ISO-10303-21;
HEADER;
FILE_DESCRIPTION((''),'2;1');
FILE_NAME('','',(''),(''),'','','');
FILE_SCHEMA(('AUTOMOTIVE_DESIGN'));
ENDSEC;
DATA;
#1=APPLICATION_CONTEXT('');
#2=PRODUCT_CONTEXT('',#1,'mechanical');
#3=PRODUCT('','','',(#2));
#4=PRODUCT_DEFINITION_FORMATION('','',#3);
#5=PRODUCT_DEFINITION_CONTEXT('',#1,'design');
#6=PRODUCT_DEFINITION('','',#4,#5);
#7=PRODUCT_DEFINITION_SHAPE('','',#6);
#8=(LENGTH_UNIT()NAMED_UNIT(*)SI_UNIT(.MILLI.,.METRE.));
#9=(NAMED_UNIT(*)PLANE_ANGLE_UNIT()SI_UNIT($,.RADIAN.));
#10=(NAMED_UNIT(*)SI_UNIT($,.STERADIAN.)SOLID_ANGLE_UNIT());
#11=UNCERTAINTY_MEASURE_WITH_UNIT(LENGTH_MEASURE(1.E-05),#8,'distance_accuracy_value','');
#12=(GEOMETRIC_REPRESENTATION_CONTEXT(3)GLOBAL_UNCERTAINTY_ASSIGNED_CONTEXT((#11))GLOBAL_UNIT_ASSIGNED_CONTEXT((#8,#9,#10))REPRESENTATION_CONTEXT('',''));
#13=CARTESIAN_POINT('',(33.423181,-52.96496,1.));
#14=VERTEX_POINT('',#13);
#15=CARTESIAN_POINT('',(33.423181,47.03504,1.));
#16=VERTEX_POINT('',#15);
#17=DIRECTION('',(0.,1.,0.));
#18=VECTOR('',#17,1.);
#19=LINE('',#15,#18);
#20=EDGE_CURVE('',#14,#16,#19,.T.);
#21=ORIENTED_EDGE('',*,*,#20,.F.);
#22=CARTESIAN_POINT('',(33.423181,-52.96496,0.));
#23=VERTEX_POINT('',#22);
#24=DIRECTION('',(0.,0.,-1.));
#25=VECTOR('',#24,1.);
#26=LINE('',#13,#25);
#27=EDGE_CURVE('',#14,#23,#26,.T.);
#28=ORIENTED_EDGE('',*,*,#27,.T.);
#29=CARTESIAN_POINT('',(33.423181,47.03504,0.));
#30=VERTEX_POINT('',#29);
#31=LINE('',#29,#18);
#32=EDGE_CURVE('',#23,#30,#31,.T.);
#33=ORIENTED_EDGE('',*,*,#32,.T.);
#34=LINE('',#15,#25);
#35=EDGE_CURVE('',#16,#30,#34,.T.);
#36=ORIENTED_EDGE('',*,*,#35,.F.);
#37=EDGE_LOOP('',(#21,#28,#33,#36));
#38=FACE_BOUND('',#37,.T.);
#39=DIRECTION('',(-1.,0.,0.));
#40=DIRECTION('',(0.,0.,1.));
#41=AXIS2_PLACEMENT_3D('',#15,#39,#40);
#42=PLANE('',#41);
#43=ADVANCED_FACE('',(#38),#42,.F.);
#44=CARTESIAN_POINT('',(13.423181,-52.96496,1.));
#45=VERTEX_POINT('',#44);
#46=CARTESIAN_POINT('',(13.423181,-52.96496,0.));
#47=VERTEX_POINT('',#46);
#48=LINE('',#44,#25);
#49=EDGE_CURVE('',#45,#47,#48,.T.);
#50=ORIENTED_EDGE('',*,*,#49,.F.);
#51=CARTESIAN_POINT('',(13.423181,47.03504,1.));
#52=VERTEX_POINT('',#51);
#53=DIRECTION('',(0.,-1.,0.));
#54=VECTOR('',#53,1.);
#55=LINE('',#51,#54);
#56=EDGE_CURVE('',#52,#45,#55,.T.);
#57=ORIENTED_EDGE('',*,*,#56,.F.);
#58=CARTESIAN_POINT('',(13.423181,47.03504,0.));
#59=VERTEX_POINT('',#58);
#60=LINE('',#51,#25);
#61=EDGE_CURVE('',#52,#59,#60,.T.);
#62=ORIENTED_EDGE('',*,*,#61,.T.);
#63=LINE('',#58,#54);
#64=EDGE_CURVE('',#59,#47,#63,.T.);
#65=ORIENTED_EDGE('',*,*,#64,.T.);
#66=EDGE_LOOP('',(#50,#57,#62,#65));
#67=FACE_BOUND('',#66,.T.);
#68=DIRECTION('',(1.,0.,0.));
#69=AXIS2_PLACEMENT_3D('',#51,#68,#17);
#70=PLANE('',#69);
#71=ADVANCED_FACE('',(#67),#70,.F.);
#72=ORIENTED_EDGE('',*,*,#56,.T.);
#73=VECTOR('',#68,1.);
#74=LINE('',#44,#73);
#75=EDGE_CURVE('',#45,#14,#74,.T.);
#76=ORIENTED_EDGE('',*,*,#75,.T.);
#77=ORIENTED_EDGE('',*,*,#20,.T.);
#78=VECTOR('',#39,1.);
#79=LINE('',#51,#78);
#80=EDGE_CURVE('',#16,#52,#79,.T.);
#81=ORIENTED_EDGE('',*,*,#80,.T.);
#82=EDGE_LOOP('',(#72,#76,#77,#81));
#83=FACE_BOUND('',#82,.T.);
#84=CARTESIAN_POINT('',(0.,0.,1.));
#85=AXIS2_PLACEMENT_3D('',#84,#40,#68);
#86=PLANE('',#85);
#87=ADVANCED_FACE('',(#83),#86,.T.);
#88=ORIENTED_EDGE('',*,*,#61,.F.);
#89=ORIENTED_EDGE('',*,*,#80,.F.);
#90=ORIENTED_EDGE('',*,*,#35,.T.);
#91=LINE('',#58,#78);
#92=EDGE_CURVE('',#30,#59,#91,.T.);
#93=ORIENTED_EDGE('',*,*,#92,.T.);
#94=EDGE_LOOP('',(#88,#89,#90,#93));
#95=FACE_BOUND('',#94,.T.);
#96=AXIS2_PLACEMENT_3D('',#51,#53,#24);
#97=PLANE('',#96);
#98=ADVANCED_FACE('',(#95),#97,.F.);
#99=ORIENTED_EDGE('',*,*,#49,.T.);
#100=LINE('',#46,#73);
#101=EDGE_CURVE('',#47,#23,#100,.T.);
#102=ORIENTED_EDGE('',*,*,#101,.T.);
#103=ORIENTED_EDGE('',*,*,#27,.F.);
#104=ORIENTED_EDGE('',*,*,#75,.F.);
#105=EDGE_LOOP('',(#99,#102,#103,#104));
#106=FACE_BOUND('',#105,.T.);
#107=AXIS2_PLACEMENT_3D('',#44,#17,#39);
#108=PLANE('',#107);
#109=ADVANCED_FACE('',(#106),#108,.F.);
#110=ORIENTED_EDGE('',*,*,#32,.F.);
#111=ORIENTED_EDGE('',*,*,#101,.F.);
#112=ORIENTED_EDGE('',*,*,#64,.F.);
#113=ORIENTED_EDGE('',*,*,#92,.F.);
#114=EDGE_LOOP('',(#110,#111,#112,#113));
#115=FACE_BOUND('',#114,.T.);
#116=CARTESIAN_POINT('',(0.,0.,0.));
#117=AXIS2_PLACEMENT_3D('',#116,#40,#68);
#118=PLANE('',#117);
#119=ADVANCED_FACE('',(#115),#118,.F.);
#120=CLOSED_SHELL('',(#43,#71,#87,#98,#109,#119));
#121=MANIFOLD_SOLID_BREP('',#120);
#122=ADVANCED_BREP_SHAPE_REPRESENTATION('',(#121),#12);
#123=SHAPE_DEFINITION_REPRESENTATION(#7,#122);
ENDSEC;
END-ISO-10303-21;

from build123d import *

# Parameters (mm, degrees)
SKETCH_1_W      = 20
SKETCH_1_H      = 100
EXTRUDE_1_DEPTH = 1


with BuildPart() as part:
    # 草图1 → 凸台-拉伸1 (new body)
    with BuildSketch(Plane.XY):
        with Locations((23.423180593, -2.964959569)):
            Rectangle(SKETCH_1_W, SKETCH_1_H)
    extrude(amount=EXTRUDE_1_DEPTH)


solid = part.part
